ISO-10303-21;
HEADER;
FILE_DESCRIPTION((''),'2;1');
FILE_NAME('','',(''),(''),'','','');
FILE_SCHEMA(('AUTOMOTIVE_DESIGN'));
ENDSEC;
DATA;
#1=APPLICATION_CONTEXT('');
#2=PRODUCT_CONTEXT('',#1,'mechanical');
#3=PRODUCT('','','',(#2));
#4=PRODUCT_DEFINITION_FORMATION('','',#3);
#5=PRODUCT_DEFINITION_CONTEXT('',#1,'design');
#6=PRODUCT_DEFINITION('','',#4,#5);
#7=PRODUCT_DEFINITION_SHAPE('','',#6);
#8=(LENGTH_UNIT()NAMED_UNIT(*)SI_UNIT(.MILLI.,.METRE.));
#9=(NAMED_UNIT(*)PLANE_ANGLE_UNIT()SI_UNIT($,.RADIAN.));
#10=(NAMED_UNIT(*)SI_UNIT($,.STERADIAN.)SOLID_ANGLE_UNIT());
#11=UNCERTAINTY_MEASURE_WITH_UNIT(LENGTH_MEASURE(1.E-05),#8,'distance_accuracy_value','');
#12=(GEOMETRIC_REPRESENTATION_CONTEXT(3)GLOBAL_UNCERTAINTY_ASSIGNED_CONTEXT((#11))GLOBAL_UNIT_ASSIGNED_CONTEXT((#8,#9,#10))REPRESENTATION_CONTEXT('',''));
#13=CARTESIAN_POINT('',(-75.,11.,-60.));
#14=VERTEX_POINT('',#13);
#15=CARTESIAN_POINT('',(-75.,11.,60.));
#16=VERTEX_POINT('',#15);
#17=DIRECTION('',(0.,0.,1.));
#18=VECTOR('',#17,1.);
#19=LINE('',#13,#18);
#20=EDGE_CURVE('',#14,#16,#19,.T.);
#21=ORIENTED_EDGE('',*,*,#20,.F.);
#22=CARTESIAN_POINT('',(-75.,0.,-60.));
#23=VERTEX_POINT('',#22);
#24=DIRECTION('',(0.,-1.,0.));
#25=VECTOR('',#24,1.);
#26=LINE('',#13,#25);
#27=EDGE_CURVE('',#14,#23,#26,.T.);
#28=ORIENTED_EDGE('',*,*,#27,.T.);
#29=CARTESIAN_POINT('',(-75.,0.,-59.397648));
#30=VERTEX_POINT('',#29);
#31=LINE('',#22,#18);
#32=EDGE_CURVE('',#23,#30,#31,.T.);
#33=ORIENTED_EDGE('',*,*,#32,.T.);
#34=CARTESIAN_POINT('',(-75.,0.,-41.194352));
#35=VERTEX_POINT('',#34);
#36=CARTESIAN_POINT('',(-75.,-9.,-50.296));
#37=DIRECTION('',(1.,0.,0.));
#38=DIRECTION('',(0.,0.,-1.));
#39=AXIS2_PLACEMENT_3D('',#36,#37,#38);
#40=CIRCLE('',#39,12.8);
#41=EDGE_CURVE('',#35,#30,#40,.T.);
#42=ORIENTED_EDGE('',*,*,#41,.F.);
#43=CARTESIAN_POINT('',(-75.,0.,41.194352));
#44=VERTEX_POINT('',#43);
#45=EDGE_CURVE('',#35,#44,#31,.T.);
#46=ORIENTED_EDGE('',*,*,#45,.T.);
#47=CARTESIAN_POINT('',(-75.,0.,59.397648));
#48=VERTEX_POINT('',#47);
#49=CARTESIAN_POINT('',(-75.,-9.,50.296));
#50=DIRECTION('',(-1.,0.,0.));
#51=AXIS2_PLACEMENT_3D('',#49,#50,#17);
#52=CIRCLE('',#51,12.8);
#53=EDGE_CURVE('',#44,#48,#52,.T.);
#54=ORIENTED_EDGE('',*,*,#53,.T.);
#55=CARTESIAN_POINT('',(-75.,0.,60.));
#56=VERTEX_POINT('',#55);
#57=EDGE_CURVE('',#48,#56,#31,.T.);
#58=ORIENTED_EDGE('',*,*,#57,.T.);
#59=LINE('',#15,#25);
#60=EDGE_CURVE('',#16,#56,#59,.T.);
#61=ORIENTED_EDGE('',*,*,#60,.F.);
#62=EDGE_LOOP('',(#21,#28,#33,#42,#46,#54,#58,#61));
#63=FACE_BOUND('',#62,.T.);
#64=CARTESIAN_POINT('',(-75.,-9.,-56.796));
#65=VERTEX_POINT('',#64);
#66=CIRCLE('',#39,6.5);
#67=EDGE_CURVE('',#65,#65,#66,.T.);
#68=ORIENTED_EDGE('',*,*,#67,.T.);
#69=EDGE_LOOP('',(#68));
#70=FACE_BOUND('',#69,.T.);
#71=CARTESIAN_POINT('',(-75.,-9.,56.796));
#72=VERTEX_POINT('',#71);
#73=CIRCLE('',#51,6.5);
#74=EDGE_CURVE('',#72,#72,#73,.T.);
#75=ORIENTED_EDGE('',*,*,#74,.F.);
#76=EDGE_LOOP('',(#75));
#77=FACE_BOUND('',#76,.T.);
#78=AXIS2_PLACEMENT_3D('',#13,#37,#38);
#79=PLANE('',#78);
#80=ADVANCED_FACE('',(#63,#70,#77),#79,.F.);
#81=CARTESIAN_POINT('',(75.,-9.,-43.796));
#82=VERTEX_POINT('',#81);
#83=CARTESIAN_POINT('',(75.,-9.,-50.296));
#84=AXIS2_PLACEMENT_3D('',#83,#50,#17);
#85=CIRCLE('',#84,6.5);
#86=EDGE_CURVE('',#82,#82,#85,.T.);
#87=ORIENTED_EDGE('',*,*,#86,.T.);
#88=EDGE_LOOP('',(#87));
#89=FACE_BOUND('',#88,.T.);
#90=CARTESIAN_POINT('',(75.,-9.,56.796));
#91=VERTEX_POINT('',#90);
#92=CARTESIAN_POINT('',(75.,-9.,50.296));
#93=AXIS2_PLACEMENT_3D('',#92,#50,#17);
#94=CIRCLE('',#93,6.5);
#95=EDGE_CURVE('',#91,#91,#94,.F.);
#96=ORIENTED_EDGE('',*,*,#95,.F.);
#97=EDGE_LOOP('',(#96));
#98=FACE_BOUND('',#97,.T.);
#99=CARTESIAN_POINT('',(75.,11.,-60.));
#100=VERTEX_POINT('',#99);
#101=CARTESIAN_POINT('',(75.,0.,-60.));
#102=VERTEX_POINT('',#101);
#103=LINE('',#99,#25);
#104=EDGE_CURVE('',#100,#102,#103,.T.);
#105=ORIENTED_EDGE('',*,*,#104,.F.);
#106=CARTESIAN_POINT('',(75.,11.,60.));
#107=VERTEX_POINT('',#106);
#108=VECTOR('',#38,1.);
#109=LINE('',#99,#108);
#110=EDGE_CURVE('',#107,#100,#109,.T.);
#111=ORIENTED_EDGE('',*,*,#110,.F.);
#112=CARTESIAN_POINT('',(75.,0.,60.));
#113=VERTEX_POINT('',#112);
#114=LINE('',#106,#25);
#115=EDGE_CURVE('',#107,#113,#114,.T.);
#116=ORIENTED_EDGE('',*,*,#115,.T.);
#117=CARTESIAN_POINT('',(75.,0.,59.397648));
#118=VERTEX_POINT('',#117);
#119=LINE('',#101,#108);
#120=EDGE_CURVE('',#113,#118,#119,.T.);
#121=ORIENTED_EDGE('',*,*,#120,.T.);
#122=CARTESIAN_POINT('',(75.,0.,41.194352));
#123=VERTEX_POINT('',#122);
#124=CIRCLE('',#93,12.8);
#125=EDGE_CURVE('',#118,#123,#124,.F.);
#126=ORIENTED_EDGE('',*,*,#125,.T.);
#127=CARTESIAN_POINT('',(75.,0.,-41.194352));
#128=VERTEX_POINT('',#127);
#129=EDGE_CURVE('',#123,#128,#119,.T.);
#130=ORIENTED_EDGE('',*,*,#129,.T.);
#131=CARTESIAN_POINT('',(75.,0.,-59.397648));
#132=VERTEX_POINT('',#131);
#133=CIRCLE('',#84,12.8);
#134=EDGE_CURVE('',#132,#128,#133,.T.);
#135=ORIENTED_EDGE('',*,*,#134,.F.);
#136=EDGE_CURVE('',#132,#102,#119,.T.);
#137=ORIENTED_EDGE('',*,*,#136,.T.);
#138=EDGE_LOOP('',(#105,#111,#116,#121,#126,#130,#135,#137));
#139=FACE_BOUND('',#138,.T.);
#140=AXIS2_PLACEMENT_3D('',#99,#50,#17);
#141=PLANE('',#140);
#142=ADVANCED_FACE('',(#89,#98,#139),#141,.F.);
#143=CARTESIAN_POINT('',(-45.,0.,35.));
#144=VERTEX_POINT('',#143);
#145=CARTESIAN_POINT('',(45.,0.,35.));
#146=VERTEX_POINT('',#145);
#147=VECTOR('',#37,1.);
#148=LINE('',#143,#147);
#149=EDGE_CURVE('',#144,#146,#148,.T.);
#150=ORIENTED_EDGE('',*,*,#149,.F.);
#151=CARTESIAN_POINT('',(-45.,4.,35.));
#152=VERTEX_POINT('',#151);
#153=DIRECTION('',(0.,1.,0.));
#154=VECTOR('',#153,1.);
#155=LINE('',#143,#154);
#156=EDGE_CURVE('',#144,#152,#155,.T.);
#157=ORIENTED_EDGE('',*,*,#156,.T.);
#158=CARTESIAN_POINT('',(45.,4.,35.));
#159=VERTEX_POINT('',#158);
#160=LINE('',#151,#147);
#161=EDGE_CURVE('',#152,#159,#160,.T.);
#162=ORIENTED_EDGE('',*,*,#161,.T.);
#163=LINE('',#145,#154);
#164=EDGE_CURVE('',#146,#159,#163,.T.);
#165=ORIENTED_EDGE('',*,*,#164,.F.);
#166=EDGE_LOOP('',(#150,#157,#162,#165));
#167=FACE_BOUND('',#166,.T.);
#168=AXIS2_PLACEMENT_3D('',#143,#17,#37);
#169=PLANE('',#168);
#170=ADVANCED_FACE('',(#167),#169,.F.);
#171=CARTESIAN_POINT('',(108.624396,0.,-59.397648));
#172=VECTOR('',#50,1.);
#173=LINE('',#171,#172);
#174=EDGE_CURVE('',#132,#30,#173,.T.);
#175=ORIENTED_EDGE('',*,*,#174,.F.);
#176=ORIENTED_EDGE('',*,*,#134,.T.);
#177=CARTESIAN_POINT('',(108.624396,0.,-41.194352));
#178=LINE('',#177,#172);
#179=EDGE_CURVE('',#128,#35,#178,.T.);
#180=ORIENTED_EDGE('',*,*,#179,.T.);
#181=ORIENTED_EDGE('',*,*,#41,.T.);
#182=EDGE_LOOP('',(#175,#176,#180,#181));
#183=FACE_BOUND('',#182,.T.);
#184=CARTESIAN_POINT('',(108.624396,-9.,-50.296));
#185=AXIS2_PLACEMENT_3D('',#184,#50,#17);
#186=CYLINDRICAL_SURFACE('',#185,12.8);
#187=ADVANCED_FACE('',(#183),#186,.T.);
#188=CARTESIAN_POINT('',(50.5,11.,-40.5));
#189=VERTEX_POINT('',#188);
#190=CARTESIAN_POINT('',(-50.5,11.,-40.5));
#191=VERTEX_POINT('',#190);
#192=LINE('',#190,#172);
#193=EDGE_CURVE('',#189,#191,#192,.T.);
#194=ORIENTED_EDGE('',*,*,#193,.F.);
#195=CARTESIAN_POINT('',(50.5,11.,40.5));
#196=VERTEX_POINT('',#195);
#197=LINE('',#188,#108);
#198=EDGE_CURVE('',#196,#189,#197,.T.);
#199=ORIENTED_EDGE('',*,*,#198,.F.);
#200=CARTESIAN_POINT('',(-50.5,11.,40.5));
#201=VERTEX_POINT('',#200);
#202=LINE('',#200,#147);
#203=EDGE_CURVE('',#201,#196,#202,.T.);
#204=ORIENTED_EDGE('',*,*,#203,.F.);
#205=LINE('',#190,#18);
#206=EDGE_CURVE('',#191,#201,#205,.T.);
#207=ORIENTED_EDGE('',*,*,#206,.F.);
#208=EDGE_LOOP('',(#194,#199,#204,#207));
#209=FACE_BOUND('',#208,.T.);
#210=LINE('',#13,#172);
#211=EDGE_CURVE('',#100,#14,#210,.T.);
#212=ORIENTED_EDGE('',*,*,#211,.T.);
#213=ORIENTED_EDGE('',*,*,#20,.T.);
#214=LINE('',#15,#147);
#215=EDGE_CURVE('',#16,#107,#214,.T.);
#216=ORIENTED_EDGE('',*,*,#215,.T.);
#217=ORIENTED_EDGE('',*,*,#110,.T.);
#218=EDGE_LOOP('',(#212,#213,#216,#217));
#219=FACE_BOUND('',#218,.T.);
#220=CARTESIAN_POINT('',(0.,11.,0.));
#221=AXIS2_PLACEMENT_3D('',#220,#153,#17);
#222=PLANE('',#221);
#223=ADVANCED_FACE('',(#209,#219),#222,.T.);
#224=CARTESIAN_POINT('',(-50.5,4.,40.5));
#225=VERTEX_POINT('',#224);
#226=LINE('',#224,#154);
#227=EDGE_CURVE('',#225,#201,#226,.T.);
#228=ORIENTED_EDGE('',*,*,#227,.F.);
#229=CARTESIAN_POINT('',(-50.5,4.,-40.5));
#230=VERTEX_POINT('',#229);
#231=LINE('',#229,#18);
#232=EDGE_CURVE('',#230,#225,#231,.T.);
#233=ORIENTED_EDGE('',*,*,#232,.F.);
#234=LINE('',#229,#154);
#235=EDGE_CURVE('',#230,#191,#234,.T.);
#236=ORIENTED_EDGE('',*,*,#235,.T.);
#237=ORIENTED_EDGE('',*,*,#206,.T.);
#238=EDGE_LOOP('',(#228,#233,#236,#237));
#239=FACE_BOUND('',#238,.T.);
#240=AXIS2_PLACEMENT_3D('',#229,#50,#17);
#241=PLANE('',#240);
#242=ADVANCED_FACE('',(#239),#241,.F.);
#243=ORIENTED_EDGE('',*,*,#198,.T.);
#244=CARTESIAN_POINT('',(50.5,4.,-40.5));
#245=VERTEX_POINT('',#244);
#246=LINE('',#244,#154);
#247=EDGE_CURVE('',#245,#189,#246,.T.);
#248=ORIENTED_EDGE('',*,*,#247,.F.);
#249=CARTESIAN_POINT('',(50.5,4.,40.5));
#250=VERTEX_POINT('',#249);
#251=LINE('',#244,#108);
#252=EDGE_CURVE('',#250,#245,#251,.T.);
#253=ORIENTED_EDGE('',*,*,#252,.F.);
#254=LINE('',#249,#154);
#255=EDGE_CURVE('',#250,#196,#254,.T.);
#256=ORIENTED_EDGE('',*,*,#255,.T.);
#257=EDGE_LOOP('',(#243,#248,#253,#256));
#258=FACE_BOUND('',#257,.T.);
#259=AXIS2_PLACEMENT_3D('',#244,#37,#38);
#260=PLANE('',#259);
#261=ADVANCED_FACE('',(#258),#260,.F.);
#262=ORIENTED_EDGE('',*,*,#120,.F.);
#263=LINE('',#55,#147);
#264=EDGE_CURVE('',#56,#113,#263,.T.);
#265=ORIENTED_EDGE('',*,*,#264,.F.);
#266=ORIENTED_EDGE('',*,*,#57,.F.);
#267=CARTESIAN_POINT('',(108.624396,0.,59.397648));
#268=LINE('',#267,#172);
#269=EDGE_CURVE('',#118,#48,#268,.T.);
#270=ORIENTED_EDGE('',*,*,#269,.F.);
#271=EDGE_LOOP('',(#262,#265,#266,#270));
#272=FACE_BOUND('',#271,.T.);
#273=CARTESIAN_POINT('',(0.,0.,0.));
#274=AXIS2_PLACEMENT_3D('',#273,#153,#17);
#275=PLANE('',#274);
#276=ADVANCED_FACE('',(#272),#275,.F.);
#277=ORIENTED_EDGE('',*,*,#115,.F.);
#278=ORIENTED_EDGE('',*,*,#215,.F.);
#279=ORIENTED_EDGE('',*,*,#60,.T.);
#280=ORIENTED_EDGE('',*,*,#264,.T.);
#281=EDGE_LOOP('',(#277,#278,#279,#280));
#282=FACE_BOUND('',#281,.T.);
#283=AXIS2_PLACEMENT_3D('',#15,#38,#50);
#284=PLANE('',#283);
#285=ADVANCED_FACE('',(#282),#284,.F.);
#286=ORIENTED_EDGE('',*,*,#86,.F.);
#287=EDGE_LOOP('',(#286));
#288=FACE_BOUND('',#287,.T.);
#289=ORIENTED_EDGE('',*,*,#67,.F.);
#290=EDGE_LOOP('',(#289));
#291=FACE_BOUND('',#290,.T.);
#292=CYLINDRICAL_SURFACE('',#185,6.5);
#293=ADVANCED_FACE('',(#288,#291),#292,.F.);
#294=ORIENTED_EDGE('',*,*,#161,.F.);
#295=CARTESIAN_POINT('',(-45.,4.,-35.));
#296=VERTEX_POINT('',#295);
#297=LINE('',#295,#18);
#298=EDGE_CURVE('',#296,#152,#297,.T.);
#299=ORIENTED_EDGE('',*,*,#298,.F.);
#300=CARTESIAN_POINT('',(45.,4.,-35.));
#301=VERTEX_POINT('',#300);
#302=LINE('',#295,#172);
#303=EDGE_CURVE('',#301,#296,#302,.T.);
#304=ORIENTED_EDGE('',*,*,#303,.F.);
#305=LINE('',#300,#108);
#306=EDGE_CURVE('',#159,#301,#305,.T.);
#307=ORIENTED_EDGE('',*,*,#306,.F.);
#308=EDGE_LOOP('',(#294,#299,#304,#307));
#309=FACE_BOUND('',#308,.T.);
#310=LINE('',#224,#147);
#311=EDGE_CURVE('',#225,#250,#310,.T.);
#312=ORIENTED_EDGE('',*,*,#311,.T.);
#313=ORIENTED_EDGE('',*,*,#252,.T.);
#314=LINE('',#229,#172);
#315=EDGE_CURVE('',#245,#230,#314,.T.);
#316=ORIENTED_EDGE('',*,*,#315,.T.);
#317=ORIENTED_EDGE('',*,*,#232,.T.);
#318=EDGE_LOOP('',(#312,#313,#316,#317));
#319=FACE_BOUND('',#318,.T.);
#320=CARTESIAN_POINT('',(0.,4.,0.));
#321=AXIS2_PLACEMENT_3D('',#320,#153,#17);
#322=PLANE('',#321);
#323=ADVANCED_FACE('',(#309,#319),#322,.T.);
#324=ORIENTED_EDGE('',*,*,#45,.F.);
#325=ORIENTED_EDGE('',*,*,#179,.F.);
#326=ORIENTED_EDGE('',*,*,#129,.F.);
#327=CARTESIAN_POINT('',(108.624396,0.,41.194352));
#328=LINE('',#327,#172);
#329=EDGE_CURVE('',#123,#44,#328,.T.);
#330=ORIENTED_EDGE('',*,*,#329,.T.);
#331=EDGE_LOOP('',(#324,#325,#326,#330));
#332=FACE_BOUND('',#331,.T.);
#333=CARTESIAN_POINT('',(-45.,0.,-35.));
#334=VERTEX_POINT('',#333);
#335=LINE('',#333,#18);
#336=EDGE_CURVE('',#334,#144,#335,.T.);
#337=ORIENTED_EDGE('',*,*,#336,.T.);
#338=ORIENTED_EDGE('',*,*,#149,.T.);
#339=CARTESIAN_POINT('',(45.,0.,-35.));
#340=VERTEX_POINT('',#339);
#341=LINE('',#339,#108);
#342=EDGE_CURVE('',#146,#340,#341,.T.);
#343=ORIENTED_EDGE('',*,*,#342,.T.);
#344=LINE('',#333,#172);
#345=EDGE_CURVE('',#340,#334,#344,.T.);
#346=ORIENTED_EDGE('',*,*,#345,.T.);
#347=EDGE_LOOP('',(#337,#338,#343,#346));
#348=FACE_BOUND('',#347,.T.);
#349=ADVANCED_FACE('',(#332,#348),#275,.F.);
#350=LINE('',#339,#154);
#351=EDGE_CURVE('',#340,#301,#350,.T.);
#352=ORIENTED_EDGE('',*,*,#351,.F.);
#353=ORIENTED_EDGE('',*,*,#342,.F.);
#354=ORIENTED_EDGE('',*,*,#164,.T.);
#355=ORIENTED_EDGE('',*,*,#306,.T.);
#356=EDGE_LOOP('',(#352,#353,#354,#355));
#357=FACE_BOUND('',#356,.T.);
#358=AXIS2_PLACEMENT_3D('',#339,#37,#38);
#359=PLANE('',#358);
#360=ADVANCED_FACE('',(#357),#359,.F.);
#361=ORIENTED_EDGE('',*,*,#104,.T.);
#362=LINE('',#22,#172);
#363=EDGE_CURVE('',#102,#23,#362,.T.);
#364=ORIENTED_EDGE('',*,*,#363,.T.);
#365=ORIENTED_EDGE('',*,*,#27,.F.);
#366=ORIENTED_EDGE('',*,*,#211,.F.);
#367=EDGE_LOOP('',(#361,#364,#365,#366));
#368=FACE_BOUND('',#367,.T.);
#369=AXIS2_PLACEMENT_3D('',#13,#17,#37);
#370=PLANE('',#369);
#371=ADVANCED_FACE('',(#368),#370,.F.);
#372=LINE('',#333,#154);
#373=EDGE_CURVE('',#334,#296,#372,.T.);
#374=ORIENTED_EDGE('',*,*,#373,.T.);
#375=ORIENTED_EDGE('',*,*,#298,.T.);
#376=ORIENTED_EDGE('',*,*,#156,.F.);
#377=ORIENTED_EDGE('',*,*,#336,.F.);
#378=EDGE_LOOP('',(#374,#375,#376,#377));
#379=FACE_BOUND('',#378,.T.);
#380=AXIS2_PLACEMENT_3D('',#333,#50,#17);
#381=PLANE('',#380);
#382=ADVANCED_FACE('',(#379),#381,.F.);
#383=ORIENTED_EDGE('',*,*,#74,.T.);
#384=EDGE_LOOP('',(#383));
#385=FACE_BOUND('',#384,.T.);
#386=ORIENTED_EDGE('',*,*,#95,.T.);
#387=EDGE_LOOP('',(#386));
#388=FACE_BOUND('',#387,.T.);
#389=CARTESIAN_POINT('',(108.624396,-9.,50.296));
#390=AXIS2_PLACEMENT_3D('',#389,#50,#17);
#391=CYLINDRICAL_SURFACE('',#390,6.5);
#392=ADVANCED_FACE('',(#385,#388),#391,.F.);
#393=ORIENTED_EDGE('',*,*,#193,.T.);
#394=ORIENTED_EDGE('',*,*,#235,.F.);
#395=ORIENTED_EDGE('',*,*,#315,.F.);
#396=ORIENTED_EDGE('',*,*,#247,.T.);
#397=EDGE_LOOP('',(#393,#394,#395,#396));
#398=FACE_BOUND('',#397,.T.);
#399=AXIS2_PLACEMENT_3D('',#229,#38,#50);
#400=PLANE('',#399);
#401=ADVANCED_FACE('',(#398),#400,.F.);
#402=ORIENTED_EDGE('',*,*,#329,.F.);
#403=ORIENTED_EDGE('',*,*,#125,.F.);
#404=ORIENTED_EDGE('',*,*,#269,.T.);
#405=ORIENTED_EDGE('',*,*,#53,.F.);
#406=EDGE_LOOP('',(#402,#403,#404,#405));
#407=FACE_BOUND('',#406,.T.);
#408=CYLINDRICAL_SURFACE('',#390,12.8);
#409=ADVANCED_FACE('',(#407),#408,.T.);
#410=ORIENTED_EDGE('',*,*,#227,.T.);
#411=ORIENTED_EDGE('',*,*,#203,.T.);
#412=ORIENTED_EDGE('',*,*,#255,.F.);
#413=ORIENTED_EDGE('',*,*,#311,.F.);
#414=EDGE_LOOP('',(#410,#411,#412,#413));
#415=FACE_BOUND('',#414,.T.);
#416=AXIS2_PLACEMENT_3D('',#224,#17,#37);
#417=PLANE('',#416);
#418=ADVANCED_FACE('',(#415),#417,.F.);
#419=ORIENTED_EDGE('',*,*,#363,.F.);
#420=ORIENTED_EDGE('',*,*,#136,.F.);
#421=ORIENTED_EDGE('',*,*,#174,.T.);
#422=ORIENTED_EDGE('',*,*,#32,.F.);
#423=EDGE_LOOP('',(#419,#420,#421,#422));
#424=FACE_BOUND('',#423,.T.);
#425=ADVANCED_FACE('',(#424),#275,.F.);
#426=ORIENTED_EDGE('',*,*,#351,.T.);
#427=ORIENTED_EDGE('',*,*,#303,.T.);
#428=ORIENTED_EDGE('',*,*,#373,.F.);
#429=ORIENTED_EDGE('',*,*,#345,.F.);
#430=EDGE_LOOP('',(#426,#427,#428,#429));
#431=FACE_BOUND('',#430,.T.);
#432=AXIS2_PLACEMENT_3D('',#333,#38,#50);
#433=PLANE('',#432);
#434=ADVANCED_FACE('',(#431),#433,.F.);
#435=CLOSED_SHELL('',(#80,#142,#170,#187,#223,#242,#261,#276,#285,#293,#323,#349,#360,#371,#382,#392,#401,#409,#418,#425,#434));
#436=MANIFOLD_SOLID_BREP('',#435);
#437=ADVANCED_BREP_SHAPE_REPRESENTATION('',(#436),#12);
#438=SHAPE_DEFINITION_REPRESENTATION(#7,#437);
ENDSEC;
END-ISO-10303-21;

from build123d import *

# Parameters (mm, degrees)
SKETCH3_W           = 150
SKETCH3_H           = 120
BOSS_EXTRUDE1_DEPTH = 11
SKETCH4_W           = 101
SKETCH4_H           = 81
CUT_EXTRUDE1_DEPTH  = 7
SKETCH5_W           = 90
SKETCH5_H           = 70
CUT_EXTRUDE2_DEPTH  = 5
SKETCH7_R           = 6.5
BOSS_EXTRUDE2_DEPTH = 150


with BuildPart() as part:
    # Sketch3 → Boss-Extrude1 (new body)
    with BuildSketch(Plane(origin=(0, 0, 0), x_dir=(1, 0, 0), z_dir=(0, 1, 0))):
        Rectangle(SKETCH3_W, SKETCH3_H)
    extrude(amount=BOSS_EXTRUDE1_DEPTH)

    # Sketch4 → Cut-Extrude1 (cut)
    with BuildSketch(Plane(origin=(0, 11, 0), x_dir=(1, 0, 0), z_dir=(0, 1, 0))):
        Rectangle(SKETCH4_W, SKETCH4_H)
    extrude(amount=-CUT_EXTRUDE1_DEPTH, mode=Mode.SUBTRACT)

    # Sketch5 → Cut-Extrude2 (cut, through all)
    with BuildSketch(Plane(origin=(0, 4, 0), x_dir=(1, 0, 0), z_dir=(0, 1, 0))):
        Rectangle(SKETCH5_W, SKETCH5_H)
    extrude(amount=-CUT_EXTRUDE2_DEPTH, mode=Mode.SUBTRACT)

    # Sketch7 → Boss-Extrude2 (add)
    with BuildSketch(Plane.ZY.offset(75)):
        with BuildLine():
            Line((41.194351798, 0), (59.397648202, 0))
            ThreePointArc((59.397648202, 0), (50.296, -21.8), (41.194351798, 0))
        make_face()
        with Locations((50.296, -9)):
            Circle(SKETCH7_R, mode=Mode.SUBTRACT)
    boss_extrude2 = extrude(amount=-BOSS_EXTRUDE2_DEPTH)

    # Mirror1: Boss-Extrude2 across plane
    add(boss_extrude2.mirror(Plane.XY))


solid = part.part
